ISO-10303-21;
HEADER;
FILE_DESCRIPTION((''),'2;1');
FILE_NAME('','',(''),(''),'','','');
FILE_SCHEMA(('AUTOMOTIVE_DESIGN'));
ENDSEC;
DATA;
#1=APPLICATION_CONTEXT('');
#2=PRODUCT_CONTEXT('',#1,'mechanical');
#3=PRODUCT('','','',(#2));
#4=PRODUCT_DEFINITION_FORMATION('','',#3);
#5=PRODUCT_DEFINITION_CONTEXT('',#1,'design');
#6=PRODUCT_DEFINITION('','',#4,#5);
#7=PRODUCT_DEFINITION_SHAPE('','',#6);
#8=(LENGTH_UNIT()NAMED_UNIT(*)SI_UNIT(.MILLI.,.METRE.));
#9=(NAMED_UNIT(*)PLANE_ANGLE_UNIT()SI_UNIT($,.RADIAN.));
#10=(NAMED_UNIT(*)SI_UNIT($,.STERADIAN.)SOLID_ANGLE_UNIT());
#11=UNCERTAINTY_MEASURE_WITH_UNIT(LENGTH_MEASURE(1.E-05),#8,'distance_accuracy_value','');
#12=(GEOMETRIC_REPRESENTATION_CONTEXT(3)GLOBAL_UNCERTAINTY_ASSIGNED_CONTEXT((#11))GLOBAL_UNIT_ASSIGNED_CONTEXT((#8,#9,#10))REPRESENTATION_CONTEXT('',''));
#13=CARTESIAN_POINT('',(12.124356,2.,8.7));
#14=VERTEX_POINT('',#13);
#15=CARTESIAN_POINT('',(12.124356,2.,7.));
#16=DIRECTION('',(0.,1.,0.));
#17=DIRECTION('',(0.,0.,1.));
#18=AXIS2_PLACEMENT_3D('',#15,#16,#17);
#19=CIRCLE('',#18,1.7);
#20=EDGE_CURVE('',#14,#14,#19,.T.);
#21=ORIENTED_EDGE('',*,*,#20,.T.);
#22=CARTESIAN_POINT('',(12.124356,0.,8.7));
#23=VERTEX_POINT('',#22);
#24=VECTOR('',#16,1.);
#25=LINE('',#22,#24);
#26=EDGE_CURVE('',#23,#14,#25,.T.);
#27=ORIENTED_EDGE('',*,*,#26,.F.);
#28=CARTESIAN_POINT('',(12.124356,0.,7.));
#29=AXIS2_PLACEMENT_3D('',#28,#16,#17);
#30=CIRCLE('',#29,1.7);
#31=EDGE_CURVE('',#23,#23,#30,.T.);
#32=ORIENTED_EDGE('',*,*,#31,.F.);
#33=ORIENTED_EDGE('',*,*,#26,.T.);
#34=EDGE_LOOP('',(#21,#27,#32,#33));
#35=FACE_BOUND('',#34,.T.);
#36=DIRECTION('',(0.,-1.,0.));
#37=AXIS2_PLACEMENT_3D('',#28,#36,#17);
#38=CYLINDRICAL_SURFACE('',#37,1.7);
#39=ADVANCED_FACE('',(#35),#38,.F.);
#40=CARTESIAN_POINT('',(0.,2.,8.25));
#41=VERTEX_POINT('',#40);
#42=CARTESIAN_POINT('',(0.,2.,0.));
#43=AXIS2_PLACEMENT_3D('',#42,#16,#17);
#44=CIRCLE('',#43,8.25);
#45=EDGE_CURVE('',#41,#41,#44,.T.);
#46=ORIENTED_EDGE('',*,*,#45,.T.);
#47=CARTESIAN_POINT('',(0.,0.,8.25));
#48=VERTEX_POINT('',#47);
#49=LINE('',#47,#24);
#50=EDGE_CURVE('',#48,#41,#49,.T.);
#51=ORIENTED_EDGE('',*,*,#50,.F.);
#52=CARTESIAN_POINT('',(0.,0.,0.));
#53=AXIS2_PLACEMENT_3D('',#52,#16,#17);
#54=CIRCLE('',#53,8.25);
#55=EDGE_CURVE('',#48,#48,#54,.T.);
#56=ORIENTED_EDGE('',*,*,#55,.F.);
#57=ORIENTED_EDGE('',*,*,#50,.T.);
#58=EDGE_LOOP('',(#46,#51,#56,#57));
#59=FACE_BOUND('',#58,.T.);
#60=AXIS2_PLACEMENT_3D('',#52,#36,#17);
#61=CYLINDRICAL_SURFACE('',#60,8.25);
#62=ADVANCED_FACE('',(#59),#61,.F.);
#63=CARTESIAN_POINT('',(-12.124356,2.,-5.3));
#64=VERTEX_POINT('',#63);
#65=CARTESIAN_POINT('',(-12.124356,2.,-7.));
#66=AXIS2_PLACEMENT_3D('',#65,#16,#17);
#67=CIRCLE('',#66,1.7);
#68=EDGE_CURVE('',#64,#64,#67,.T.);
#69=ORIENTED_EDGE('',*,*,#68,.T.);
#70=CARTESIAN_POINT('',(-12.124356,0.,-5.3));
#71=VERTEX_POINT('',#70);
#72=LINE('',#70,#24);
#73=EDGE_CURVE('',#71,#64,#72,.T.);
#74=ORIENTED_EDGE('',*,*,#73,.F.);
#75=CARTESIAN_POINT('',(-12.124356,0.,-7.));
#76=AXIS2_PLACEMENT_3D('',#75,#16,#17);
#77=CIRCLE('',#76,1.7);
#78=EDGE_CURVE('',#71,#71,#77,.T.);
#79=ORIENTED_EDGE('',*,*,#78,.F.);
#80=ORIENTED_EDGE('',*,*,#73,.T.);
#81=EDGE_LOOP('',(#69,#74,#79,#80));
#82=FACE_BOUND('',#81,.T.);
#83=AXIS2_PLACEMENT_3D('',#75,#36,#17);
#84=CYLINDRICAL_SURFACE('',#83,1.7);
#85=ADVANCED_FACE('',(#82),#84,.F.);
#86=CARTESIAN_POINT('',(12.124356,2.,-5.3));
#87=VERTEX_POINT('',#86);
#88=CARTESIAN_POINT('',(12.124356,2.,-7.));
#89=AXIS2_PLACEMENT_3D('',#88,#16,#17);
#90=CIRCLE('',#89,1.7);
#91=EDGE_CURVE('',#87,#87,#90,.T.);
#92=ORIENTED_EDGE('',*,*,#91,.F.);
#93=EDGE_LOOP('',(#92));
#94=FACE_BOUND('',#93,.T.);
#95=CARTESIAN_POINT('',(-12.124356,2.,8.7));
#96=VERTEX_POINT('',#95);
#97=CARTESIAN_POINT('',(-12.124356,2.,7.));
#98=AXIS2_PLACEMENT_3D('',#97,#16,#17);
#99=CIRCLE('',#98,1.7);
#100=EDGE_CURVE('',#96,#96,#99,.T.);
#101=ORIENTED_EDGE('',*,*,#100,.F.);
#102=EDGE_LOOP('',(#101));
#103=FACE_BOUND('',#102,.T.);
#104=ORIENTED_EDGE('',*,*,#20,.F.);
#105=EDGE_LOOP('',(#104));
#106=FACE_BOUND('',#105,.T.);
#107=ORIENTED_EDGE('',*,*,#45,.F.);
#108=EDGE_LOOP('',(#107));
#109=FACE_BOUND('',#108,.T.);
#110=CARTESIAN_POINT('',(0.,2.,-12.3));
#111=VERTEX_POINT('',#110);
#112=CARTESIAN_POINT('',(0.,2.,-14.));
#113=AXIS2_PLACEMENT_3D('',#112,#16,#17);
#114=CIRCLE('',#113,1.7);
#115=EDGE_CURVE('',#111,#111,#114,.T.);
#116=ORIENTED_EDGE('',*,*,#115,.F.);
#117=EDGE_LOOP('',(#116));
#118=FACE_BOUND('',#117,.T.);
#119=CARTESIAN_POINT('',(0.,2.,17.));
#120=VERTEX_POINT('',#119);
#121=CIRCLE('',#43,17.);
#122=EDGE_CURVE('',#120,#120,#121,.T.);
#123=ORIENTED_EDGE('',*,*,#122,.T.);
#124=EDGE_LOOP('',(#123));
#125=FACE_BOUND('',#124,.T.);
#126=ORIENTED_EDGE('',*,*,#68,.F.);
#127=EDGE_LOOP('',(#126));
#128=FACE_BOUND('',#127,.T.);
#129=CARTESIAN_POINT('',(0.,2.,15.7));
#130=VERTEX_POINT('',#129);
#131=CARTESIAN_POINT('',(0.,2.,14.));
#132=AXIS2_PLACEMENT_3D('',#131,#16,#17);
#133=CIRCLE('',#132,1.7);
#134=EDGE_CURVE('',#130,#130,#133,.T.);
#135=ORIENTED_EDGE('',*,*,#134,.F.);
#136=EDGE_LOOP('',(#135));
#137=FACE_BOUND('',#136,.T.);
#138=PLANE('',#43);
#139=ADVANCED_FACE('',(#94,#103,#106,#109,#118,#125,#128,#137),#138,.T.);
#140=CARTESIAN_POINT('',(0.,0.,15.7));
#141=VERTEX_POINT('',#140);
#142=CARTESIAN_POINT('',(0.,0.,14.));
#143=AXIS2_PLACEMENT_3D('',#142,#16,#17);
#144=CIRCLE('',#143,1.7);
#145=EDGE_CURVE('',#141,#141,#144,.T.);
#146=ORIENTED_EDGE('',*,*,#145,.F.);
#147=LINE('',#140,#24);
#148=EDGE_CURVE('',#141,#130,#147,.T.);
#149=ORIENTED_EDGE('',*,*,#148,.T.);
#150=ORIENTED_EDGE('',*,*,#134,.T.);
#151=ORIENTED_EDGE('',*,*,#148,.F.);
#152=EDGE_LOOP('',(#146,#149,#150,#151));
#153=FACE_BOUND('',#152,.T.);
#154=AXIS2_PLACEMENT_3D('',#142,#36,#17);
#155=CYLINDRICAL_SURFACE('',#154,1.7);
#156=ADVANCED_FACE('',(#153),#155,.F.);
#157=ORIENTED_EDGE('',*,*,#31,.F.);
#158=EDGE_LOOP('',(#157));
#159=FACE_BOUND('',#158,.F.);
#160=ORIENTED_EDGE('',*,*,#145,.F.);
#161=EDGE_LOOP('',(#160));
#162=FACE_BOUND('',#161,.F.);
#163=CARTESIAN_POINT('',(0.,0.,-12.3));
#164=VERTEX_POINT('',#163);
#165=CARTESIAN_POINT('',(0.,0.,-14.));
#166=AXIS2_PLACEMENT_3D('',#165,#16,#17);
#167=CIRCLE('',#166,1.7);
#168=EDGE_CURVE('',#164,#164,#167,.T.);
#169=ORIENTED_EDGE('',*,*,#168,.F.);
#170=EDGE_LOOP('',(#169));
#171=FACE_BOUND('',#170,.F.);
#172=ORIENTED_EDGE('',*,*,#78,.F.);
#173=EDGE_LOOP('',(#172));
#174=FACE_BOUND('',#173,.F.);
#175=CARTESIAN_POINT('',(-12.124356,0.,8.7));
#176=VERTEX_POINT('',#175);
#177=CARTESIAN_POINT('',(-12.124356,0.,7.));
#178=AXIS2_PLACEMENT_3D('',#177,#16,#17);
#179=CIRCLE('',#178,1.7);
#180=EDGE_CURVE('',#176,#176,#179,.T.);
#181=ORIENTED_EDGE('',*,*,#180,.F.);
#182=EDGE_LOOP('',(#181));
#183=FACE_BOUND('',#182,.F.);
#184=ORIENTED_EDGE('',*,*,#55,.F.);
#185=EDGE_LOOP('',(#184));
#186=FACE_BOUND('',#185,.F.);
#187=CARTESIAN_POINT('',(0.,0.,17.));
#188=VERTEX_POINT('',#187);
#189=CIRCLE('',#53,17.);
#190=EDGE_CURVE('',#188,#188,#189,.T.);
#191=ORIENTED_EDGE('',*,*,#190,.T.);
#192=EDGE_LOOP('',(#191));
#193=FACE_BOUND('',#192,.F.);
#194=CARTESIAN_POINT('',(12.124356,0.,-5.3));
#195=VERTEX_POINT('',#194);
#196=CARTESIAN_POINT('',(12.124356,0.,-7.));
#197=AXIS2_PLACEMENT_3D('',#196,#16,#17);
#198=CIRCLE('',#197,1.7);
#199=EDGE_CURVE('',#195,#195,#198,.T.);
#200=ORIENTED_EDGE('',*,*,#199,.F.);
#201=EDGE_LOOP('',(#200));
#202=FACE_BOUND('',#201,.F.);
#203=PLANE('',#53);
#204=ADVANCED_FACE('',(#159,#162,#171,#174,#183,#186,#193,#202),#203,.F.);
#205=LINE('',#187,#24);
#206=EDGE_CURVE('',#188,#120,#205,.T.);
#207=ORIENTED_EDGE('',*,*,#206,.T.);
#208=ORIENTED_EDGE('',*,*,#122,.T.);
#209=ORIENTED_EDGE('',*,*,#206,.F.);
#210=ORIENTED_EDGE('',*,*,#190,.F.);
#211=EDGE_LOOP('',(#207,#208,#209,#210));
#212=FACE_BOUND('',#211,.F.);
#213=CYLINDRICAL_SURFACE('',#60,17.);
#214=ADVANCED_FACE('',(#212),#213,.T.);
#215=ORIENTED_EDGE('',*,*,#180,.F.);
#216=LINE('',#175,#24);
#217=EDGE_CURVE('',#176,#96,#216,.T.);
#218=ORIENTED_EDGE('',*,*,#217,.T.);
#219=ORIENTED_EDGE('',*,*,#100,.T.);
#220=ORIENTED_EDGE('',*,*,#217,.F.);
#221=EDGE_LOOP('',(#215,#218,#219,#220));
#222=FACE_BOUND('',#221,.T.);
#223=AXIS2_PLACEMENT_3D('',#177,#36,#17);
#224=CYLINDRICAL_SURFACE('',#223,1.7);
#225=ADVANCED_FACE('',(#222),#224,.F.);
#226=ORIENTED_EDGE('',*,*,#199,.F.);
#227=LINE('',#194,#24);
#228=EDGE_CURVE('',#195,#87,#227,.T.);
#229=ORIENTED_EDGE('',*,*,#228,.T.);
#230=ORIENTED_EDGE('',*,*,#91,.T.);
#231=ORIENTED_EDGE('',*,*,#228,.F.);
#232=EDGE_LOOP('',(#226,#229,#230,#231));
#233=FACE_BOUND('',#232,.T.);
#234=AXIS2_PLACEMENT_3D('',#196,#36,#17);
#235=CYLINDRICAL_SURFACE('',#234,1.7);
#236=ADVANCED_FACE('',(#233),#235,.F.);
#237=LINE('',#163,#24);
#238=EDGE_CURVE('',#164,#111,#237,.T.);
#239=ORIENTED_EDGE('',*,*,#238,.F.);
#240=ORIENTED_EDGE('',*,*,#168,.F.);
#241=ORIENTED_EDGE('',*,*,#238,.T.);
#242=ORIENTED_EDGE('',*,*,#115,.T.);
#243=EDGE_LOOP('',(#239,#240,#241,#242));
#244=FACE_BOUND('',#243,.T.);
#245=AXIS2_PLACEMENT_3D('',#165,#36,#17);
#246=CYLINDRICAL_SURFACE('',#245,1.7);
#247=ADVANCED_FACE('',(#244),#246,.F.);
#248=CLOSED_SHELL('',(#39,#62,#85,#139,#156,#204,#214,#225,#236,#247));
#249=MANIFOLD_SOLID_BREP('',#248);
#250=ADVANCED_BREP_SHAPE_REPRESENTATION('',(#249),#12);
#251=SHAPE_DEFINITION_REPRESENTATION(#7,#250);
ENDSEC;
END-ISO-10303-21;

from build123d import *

# Parameters (mm, degrees)
SKETCH1_R           = 17
SKETCH1_R_2         = 8.25
SKETCH1_R_3         = 1.7
BOSS_EXTRUDE1_DEPTH = 2


with BuildPart() as part:
    # Sketch1 → Boss-Extrude1 (new body)
    with BuildSketch(Plane(origin=(0, 0, 0), x_dir=(1, 0, 0), z_dir=(0, 1, 0))):
        with Locations(Location((0, 0, 0), (0, 0, 270))):
            Circle(SKETCH1_R)
        with Locations(Location((0, 0, 0), (0, 0, 270))):
            Circle(SKETCH1_R_2, mode=Mode.SUBTRACT)
        with Locations(Location((0, 14, 0), (0, 0, 270))):
            Circle(SKETCH1_R_3, mode=Mode.SUBTRACT)
        with Locations(Location((12.124355653, 7, 0), (0, 0, 270))):
            Circle(SKETCH1_R_3, mode=Mode.SUBTRACT)
        with Locations(Location((12.124355653, -7, 0), (0, 0, 270))):
            Circle(SKETCH1_R_3, mode=Mode.SUBTRACT)
        with Locations(Location((0, -14, 0), (0, 0, 270))):
            Circle(SKETCH1_R_3, mode=Mode.SUBTRACT)
        with Locations(Location((-12.124355653, -7, 0), (0, 0, 270))):
            Circle(SKETCH1_R_3, mode=Mode.SUBTRACT)
        with Locations(Location((-12.124355653, 7, 0), (0, 0, 270))):
            Circle(SKETCH1_R_3, mode=Mode.SUBTRACT)
    extrude(amount=BOSS_EXTRUDE1_DEPTH)


solid = part.part
